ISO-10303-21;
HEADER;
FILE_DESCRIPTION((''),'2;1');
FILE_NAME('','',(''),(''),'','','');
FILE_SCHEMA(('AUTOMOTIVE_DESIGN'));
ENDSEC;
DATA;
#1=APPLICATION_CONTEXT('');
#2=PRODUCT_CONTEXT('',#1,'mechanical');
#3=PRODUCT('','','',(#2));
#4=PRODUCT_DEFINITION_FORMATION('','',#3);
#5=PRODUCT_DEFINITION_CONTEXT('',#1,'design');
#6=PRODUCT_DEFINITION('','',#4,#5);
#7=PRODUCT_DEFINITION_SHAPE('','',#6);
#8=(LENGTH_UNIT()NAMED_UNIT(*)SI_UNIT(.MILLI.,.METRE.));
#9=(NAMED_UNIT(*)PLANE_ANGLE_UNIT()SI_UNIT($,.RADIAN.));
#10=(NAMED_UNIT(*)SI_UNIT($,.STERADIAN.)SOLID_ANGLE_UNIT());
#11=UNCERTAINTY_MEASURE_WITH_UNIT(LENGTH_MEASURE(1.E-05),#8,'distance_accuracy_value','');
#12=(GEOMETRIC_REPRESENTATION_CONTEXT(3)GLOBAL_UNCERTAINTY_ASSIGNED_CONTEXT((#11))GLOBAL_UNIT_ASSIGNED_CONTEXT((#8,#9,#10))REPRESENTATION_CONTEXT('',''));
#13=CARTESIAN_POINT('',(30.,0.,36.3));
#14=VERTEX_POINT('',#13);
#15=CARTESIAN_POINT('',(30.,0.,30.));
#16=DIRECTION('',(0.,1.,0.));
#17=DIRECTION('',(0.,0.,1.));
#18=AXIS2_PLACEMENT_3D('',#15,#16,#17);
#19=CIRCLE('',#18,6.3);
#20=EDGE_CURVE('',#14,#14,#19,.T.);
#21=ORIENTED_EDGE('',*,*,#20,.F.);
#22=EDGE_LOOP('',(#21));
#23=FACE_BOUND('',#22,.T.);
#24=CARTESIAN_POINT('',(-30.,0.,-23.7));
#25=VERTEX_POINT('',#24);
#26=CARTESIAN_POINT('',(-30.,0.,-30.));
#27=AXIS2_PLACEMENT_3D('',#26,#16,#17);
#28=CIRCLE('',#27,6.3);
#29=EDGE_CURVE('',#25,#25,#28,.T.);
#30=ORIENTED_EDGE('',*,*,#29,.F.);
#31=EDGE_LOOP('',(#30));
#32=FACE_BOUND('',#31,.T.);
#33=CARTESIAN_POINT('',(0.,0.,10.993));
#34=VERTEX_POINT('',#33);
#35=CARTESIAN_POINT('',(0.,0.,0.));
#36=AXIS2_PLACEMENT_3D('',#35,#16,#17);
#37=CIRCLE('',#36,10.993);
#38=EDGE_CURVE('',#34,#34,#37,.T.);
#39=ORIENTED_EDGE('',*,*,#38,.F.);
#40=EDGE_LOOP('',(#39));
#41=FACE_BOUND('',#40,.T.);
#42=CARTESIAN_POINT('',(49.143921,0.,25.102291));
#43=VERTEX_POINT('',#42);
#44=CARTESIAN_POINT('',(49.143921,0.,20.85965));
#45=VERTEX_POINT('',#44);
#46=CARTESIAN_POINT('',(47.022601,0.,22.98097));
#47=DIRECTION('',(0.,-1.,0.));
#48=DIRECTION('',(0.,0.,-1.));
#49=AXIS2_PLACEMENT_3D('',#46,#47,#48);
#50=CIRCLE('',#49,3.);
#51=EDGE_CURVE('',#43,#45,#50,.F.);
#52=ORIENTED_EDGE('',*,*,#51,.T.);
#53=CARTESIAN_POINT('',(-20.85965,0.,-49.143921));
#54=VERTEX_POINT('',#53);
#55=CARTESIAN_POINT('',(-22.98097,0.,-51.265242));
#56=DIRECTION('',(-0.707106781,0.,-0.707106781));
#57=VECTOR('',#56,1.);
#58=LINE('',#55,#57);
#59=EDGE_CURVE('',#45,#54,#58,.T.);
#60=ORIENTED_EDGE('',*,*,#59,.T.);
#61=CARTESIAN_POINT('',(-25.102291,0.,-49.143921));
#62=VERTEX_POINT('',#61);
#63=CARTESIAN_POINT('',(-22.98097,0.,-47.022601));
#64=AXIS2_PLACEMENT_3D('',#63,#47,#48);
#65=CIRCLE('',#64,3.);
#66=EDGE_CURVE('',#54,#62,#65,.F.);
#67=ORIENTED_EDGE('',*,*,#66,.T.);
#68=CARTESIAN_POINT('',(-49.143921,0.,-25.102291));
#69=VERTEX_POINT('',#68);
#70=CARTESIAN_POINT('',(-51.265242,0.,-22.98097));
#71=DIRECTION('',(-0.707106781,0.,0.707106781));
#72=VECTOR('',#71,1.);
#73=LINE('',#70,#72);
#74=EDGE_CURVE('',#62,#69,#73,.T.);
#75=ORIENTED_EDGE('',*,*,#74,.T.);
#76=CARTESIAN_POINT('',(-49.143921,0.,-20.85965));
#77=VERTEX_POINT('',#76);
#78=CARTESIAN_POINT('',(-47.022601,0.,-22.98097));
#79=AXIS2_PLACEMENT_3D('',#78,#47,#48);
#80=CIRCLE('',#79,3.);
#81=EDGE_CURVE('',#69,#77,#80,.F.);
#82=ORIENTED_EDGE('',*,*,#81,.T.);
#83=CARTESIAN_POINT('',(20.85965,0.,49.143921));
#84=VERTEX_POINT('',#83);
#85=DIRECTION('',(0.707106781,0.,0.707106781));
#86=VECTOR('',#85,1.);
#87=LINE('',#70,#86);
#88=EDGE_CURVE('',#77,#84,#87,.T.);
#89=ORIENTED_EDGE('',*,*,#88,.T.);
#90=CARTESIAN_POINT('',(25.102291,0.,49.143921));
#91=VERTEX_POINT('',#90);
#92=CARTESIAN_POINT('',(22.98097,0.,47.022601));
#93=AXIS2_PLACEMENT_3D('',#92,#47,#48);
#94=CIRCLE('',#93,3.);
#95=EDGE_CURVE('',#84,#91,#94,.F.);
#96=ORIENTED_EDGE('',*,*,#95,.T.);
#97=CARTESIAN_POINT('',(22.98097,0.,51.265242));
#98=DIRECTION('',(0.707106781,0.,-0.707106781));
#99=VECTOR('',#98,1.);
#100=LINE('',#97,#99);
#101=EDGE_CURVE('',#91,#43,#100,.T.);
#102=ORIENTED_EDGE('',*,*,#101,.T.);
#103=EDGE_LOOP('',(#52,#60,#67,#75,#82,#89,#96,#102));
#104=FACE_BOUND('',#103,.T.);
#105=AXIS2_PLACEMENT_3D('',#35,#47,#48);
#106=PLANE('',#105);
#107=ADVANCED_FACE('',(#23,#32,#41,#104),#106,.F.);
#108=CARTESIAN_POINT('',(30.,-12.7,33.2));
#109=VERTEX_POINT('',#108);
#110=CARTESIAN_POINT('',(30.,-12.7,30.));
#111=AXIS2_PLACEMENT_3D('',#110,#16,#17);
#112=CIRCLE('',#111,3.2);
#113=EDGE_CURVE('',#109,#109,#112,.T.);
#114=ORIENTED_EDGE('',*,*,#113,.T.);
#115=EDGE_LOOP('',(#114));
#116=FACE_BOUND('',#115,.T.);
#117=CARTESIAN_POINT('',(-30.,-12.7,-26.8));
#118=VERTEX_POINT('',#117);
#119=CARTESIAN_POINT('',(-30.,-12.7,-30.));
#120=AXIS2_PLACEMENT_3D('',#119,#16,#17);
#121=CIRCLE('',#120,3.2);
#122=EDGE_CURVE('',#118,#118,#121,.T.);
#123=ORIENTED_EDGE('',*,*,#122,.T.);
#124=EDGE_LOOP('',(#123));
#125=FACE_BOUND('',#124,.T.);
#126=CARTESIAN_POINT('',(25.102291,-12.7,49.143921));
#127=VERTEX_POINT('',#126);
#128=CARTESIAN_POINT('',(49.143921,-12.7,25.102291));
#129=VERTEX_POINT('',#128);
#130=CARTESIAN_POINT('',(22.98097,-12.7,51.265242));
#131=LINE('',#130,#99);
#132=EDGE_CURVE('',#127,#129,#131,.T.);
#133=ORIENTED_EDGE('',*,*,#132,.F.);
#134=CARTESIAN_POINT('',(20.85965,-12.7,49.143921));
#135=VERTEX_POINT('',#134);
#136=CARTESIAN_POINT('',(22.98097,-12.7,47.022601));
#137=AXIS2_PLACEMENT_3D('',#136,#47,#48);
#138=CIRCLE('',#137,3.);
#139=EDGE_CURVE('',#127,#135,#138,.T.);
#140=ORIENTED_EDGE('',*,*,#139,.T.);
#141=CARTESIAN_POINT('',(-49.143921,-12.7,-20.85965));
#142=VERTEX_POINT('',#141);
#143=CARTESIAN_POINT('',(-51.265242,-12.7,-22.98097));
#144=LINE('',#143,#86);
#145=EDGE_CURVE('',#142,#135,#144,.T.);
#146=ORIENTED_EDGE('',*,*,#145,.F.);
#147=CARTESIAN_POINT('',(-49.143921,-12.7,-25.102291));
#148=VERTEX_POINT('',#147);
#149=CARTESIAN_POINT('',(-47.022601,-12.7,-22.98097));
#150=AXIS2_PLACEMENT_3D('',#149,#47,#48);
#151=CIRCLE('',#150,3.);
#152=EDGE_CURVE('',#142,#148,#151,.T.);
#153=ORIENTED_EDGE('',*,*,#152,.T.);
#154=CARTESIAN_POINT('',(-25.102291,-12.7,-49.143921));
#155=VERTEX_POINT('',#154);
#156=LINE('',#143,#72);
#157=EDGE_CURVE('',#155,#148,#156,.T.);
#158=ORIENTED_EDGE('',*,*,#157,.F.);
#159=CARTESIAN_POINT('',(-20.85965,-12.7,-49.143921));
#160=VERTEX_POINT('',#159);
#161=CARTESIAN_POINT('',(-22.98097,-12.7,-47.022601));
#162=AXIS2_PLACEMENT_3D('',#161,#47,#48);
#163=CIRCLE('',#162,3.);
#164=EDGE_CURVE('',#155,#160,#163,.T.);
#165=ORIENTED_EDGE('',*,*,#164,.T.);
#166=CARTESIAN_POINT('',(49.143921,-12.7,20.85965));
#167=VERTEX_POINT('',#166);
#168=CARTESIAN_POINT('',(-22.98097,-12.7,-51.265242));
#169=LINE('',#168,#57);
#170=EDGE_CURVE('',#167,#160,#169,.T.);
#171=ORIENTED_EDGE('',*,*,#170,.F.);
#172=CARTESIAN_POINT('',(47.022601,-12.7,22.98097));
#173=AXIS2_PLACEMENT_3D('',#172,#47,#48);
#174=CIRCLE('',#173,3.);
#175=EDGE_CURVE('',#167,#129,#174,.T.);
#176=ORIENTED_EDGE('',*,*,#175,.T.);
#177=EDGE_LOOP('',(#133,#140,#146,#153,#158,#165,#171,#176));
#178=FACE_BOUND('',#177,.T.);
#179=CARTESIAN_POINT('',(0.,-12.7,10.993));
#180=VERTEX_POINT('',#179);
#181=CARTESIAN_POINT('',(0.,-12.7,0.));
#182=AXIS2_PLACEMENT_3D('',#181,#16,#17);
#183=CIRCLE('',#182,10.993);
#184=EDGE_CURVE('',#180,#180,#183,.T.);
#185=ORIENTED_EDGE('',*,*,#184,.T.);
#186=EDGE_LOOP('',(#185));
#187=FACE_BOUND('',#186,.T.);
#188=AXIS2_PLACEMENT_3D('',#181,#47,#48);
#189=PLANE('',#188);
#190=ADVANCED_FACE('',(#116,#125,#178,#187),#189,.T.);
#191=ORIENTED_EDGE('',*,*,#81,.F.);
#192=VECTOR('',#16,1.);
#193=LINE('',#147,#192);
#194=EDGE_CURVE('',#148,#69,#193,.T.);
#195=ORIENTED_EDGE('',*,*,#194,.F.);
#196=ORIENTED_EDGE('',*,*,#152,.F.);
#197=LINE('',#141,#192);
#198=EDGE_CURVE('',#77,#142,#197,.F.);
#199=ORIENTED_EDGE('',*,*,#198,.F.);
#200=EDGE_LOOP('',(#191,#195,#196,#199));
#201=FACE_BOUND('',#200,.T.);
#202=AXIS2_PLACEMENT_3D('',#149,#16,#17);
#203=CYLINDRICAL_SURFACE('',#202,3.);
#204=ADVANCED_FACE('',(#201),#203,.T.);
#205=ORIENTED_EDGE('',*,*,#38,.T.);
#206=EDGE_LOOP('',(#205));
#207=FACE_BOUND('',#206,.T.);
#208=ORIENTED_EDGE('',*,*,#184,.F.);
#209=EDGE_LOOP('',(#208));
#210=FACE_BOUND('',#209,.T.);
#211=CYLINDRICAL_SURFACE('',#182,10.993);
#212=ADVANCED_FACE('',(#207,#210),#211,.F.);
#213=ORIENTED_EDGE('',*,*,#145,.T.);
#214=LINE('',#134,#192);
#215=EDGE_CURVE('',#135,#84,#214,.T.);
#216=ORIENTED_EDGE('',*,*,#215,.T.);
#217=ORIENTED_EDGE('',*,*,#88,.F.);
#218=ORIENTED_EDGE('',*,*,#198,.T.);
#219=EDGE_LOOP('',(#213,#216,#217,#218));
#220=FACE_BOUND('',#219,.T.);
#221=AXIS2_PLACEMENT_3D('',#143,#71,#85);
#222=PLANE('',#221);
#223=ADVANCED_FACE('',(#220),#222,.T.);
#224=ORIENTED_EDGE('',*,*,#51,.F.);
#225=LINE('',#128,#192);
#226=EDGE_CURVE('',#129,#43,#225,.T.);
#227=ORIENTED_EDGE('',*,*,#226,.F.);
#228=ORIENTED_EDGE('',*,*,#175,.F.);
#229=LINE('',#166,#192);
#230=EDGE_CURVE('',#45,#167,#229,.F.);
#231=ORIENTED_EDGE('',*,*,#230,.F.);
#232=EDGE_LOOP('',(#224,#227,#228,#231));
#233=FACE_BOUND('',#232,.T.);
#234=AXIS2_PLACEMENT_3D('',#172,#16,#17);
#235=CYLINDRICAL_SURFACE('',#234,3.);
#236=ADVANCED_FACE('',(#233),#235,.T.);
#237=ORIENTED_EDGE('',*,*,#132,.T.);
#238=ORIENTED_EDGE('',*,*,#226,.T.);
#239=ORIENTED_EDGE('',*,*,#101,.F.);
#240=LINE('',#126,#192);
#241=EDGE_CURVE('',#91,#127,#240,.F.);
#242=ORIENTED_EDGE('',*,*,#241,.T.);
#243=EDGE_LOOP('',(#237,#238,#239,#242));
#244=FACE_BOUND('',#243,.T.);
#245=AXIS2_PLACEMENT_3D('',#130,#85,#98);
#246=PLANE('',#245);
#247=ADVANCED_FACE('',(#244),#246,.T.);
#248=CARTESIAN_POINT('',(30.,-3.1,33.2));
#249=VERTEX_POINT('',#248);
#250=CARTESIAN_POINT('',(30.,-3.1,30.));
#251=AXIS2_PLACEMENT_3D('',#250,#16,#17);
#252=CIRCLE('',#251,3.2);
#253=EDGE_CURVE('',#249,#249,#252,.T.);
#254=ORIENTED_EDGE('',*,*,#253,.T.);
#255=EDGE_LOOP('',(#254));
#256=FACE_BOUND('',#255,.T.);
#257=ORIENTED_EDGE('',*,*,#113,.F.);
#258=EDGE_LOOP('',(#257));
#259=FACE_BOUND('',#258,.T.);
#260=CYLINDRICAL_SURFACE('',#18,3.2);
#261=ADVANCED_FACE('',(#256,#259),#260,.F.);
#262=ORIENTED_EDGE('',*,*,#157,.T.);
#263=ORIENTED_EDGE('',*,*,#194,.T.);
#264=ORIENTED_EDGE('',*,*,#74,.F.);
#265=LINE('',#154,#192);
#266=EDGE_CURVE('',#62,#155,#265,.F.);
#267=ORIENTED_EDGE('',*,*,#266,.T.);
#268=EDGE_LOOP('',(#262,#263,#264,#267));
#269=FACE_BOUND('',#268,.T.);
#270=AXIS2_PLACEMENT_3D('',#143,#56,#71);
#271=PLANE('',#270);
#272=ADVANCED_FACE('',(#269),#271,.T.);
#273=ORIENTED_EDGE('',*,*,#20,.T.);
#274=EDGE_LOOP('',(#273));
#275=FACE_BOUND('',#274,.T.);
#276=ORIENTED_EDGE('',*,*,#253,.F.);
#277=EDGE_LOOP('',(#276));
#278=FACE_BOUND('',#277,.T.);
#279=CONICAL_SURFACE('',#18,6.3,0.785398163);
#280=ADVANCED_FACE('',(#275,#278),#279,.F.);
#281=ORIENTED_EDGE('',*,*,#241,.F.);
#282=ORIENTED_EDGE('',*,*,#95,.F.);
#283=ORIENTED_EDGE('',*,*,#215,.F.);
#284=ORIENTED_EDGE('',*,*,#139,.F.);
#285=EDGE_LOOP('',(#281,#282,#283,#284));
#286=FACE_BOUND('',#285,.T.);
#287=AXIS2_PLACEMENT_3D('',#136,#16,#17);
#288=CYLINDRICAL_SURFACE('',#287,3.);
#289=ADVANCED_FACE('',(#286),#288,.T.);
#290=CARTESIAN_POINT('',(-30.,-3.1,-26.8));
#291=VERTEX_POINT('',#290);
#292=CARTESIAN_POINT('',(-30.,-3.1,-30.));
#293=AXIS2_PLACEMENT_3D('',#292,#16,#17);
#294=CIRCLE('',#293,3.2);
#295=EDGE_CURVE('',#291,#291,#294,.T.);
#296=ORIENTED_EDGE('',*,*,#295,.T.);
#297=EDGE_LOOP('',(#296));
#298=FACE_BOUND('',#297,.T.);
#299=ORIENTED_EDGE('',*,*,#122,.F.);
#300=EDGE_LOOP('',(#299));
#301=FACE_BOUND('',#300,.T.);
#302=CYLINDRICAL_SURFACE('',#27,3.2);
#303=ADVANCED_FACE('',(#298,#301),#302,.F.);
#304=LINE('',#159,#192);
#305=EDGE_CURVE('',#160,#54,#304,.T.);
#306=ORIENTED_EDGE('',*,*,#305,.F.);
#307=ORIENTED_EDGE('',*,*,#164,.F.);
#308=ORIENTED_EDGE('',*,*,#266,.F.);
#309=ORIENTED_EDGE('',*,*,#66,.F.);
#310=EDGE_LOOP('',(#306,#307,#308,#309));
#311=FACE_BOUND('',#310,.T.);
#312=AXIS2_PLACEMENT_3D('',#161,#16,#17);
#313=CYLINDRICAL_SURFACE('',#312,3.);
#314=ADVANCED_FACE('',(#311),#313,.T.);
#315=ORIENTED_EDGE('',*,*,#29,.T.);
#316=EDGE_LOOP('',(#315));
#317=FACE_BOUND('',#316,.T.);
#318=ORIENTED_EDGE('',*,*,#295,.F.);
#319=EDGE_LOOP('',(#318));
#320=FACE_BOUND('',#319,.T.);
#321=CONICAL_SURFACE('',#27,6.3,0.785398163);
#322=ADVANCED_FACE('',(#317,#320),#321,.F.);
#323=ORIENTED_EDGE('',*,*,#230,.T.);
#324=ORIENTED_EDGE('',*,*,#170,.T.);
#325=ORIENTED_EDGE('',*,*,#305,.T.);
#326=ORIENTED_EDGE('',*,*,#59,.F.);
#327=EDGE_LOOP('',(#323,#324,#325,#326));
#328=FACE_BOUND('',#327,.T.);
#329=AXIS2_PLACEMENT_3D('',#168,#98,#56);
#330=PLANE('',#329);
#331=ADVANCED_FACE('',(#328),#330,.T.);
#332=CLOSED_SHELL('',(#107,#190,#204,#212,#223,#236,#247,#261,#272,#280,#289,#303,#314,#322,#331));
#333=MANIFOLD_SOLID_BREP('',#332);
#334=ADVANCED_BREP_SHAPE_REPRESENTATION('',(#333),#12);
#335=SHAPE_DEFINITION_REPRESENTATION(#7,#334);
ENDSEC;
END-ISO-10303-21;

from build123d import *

# Parameters (mm, degrees)
SKETCH2_R                                       = 10.993
BOSS_EXTRUDE1_DEPTH                             = 12.7
CSK_FOR_M6_FLAT_HEAD_MACHINE_SCREW1_D           = 6.4
CSK_FOR_M6_FLAT_HEAD_MACHINE_SCREW1_CSINK_D     = 12.6
CSK_FOR_M6_FLAT_HEAD_MACHINE_SCREW1_CSINK_ANGLE = 90
FILLET1_R                                       = 3


with BuildPart() as part:
    # Sketch2 → Boss-Extrude1 (new body)
    with BuildSketch(Plane(origin=(0, 0, 0), x_dir=(1, 0, 0), z_dir=(0, 1, 0))):
        Polygon((-51.265241636, 22.980970389), (22.980970389, -51.265241636), (51.265241636, -22.980970389), (-22.980970389, 51.265241636), align=None)
        with Locations(Location((0, 0, 0), (0, 0, 270))):
            Circle(SKETCH2_R, mode=Mode.SUBTRACT)
    extrude(amount=-BOSS_EXTRUDE1_DEPTH)

    # CSK for M6 Flat Head Machine Screw1 (through all)
    with Locations(Plane(origin=(-30, 0, -30), x_dir=(0, 0, 1), z_dir=(0, 1, 0))):
        with Locations((0, 0), (60, 60)):
            CounterSinkHole(CSK_FOR_M6_FLAT_HEAD_MACHINE_SCREW1_D / 2, CSK_FOR_M6_FLAT_HEAD_MACHINE_SCREW1_CSINK_D / 2, counter_sink_angle=CSK_FOR_M6_FLAT_HEAD_MACHINE_SCREW1_CSINK_ANGLE)

    # Fillet1
    fillet1_edges = [part.edges().sort_by_distance(p)[0] for p in [
        (-22.980970389, -6.35, -51.265241636),
        (51.265241636, -6.35, 22.980970389),
        (22.980970389, -6.35, 51.265241636),
        (-51.265241636, -6.35, -22.980970389),
    ]]
    fillet(fillet1_edges, radius=FILLET1_R)


solid = part.part
